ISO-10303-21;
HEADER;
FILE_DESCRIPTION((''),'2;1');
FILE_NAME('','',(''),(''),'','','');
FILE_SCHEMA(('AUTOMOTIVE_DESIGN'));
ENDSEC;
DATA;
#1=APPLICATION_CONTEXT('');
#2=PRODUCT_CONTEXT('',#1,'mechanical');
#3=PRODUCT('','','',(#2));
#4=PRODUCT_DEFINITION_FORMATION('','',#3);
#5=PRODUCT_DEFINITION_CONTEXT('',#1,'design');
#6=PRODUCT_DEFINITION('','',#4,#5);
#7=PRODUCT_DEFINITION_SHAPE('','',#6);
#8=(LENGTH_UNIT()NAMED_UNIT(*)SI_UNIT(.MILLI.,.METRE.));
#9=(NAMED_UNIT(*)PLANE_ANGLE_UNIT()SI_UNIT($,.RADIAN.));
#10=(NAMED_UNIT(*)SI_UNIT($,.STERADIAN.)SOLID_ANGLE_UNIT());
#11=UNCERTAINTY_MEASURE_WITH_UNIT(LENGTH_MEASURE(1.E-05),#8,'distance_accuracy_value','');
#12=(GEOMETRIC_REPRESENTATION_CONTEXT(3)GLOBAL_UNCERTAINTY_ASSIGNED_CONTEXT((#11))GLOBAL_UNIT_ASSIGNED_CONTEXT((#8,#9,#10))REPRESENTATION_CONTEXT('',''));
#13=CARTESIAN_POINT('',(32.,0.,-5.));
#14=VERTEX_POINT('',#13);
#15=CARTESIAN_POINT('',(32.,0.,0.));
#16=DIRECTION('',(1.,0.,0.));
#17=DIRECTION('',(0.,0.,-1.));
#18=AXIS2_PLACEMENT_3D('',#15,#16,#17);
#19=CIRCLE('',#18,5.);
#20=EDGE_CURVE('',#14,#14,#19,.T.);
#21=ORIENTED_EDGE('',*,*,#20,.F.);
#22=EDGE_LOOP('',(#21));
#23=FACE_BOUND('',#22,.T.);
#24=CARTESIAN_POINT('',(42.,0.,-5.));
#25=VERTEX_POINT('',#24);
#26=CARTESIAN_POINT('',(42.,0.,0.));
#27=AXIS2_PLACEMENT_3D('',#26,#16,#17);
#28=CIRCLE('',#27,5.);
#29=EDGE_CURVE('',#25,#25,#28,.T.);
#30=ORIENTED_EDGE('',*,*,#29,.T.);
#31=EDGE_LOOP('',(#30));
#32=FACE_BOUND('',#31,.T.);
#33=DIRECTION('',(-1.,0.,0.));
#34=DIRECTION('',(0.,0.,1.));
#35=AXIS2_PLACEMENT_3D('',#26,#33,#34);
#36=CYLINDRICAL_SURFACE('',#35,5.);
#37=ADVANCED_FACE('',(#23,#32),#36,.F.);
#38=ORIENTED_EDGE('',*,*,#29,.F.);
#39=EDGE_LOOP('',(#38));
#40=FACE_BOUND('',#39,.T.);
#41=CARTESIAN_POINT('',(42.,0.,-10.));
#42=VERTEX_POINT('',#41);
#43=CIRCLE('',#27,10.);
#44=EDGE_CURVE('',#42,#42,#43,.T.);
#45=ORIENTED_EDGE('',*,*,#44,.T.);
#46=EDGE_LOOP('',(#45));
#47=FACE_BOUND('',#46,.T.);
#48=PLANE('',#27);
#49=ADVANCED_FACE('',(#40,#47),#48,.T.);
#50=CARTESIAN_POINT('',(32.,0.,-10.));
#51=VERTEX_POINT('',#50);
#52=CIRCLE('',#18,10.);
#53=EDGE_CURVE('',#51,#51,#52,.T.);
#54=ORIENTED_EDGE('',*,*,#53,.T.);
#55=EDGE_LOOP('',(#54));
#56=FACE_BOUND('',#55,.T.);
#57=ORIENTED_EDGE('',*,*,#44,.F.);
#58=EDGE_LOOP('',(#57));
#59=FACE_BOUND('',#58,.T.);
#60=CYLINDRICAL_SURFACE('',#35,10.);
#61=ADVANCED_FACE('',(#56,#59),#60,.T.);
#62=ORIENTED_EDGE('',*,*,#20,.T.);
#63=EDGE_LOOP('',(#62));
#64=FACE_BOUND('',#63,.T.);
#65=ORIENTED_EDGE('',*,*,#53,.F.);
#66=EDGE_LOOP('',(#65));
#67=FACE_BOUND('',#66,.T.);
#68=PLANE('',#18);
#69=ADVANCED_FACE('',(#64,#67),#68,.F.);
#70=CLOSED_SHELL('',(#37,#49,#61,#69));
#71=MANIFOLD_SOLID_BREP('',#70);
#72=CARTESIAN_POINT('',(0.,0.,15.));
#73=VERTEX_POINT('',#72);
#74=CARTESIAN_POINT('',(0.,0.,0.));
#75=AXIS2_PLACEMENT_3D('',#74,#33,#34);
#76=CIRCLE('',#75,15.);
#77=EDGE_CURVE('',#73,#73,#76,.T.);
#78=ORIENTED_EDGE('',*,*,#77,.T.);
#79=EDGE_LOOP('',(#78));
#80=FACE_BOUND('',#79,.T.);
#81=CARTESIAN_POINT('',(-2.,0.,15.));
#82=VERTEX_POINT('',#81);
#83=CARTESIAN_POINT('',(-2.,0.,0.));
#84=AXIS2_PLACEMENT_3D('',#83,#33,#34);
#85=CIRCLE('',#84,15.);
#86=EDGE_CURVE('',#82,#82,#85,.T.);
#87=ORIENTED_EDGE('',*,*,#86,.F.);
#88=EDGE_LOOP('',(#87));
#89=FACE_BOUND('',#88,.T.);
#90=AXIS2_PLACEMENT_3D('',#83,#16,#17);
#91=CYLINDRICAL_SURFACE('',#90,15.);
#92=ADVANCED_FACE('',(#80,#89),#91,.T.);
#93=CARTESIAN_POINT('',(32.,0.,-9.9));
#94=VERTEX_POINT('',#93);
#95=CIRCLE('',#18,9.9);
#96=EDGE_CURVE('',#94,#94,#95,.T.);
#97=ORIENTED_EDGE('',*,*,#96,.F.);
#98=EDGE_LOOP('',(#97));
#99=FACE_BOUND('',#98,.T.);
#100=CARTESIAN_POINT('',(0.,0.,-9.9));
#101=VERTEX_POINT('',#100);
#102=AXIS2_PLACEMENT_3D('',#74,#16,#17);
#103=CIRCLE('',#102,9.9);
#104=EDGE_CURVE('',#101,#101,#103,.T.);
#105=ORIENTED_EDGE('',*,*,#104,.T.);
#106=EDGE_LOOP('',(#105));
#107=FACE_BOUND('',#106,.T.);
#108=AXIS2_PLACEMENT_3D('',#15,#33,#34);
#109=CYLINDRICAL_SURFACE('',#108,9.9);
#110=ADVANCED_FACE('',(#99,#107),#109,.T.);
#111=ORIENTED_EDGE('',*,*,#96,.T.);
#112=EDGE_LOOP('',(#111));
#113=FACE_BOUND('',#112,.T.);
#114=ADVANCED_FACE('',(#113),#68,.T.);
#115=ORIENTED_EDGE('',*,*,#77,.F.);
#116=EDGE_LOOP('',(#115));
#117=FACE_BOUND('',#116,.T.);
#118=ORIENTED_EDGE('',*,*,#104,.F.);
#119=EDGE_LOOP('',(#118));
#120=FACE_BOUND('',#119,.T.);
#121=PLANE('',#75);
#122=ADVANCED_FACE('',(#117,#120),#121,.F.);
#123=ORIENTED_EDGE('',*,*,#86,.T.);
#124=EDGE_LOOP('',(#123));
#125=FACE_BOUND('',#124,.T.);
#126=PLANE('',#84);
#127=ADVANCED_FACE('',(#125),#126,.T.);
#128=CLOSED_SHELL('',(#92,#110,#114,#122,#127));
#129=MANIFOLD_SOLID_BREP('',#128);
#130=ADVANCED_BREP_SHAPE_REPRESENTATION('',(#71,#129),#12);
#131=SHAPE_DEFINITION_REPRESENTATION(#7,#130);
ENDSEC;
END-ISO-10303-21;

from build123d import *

# Parameters (mm, degrees)
SKETCH1_R           = 9.9
BOSS_EXTRUDE1_DEPTH = 32
SKETCH2_R           = 10
SKETCH2_R_2         = 5
BOSS_EXTRUDE2_DEPTH = 10
SKETCH3_R           = 15
BOSS_EXTRUDE3_DEPTH = 2


with BuildPart() as part:
    # Sketch1 → Boss-Extrude1 (new body)
    with BuildSketch(Plane(origin=(0, 0, 0), x_dir=(0, 0, -1), z_dir=(1, 0, 0))):
        Circle(SKETCH1_R)
    extrude(amount=BOSS_EXTRUDE1_DEPTH)

    # Sketch3 → Boss-Extrude3 (add)
    with BuildSketch(Plane.ZY):
        Circle(SKETCH3_R)
    extrude(amount=BOSS_EXTRUDE3_DEPTH)


with BuildPart() as body_2:
    # Sketch2 → Boss-Extrude2 (new body)
    with BuildSketch(Plane(origin=(32, 0, 0), x_dir=(0, 0, -1), z_dir=(1, 0, 0))):
        Circle(SKETCH2_R)
        Circle(SKETCH2_R_2, mode=Mode.SUBTRACT)
    extrude(amount=BOSS_EXTRUDE2_DEPTH)


solid = Compound([part.part, body_2.part])
